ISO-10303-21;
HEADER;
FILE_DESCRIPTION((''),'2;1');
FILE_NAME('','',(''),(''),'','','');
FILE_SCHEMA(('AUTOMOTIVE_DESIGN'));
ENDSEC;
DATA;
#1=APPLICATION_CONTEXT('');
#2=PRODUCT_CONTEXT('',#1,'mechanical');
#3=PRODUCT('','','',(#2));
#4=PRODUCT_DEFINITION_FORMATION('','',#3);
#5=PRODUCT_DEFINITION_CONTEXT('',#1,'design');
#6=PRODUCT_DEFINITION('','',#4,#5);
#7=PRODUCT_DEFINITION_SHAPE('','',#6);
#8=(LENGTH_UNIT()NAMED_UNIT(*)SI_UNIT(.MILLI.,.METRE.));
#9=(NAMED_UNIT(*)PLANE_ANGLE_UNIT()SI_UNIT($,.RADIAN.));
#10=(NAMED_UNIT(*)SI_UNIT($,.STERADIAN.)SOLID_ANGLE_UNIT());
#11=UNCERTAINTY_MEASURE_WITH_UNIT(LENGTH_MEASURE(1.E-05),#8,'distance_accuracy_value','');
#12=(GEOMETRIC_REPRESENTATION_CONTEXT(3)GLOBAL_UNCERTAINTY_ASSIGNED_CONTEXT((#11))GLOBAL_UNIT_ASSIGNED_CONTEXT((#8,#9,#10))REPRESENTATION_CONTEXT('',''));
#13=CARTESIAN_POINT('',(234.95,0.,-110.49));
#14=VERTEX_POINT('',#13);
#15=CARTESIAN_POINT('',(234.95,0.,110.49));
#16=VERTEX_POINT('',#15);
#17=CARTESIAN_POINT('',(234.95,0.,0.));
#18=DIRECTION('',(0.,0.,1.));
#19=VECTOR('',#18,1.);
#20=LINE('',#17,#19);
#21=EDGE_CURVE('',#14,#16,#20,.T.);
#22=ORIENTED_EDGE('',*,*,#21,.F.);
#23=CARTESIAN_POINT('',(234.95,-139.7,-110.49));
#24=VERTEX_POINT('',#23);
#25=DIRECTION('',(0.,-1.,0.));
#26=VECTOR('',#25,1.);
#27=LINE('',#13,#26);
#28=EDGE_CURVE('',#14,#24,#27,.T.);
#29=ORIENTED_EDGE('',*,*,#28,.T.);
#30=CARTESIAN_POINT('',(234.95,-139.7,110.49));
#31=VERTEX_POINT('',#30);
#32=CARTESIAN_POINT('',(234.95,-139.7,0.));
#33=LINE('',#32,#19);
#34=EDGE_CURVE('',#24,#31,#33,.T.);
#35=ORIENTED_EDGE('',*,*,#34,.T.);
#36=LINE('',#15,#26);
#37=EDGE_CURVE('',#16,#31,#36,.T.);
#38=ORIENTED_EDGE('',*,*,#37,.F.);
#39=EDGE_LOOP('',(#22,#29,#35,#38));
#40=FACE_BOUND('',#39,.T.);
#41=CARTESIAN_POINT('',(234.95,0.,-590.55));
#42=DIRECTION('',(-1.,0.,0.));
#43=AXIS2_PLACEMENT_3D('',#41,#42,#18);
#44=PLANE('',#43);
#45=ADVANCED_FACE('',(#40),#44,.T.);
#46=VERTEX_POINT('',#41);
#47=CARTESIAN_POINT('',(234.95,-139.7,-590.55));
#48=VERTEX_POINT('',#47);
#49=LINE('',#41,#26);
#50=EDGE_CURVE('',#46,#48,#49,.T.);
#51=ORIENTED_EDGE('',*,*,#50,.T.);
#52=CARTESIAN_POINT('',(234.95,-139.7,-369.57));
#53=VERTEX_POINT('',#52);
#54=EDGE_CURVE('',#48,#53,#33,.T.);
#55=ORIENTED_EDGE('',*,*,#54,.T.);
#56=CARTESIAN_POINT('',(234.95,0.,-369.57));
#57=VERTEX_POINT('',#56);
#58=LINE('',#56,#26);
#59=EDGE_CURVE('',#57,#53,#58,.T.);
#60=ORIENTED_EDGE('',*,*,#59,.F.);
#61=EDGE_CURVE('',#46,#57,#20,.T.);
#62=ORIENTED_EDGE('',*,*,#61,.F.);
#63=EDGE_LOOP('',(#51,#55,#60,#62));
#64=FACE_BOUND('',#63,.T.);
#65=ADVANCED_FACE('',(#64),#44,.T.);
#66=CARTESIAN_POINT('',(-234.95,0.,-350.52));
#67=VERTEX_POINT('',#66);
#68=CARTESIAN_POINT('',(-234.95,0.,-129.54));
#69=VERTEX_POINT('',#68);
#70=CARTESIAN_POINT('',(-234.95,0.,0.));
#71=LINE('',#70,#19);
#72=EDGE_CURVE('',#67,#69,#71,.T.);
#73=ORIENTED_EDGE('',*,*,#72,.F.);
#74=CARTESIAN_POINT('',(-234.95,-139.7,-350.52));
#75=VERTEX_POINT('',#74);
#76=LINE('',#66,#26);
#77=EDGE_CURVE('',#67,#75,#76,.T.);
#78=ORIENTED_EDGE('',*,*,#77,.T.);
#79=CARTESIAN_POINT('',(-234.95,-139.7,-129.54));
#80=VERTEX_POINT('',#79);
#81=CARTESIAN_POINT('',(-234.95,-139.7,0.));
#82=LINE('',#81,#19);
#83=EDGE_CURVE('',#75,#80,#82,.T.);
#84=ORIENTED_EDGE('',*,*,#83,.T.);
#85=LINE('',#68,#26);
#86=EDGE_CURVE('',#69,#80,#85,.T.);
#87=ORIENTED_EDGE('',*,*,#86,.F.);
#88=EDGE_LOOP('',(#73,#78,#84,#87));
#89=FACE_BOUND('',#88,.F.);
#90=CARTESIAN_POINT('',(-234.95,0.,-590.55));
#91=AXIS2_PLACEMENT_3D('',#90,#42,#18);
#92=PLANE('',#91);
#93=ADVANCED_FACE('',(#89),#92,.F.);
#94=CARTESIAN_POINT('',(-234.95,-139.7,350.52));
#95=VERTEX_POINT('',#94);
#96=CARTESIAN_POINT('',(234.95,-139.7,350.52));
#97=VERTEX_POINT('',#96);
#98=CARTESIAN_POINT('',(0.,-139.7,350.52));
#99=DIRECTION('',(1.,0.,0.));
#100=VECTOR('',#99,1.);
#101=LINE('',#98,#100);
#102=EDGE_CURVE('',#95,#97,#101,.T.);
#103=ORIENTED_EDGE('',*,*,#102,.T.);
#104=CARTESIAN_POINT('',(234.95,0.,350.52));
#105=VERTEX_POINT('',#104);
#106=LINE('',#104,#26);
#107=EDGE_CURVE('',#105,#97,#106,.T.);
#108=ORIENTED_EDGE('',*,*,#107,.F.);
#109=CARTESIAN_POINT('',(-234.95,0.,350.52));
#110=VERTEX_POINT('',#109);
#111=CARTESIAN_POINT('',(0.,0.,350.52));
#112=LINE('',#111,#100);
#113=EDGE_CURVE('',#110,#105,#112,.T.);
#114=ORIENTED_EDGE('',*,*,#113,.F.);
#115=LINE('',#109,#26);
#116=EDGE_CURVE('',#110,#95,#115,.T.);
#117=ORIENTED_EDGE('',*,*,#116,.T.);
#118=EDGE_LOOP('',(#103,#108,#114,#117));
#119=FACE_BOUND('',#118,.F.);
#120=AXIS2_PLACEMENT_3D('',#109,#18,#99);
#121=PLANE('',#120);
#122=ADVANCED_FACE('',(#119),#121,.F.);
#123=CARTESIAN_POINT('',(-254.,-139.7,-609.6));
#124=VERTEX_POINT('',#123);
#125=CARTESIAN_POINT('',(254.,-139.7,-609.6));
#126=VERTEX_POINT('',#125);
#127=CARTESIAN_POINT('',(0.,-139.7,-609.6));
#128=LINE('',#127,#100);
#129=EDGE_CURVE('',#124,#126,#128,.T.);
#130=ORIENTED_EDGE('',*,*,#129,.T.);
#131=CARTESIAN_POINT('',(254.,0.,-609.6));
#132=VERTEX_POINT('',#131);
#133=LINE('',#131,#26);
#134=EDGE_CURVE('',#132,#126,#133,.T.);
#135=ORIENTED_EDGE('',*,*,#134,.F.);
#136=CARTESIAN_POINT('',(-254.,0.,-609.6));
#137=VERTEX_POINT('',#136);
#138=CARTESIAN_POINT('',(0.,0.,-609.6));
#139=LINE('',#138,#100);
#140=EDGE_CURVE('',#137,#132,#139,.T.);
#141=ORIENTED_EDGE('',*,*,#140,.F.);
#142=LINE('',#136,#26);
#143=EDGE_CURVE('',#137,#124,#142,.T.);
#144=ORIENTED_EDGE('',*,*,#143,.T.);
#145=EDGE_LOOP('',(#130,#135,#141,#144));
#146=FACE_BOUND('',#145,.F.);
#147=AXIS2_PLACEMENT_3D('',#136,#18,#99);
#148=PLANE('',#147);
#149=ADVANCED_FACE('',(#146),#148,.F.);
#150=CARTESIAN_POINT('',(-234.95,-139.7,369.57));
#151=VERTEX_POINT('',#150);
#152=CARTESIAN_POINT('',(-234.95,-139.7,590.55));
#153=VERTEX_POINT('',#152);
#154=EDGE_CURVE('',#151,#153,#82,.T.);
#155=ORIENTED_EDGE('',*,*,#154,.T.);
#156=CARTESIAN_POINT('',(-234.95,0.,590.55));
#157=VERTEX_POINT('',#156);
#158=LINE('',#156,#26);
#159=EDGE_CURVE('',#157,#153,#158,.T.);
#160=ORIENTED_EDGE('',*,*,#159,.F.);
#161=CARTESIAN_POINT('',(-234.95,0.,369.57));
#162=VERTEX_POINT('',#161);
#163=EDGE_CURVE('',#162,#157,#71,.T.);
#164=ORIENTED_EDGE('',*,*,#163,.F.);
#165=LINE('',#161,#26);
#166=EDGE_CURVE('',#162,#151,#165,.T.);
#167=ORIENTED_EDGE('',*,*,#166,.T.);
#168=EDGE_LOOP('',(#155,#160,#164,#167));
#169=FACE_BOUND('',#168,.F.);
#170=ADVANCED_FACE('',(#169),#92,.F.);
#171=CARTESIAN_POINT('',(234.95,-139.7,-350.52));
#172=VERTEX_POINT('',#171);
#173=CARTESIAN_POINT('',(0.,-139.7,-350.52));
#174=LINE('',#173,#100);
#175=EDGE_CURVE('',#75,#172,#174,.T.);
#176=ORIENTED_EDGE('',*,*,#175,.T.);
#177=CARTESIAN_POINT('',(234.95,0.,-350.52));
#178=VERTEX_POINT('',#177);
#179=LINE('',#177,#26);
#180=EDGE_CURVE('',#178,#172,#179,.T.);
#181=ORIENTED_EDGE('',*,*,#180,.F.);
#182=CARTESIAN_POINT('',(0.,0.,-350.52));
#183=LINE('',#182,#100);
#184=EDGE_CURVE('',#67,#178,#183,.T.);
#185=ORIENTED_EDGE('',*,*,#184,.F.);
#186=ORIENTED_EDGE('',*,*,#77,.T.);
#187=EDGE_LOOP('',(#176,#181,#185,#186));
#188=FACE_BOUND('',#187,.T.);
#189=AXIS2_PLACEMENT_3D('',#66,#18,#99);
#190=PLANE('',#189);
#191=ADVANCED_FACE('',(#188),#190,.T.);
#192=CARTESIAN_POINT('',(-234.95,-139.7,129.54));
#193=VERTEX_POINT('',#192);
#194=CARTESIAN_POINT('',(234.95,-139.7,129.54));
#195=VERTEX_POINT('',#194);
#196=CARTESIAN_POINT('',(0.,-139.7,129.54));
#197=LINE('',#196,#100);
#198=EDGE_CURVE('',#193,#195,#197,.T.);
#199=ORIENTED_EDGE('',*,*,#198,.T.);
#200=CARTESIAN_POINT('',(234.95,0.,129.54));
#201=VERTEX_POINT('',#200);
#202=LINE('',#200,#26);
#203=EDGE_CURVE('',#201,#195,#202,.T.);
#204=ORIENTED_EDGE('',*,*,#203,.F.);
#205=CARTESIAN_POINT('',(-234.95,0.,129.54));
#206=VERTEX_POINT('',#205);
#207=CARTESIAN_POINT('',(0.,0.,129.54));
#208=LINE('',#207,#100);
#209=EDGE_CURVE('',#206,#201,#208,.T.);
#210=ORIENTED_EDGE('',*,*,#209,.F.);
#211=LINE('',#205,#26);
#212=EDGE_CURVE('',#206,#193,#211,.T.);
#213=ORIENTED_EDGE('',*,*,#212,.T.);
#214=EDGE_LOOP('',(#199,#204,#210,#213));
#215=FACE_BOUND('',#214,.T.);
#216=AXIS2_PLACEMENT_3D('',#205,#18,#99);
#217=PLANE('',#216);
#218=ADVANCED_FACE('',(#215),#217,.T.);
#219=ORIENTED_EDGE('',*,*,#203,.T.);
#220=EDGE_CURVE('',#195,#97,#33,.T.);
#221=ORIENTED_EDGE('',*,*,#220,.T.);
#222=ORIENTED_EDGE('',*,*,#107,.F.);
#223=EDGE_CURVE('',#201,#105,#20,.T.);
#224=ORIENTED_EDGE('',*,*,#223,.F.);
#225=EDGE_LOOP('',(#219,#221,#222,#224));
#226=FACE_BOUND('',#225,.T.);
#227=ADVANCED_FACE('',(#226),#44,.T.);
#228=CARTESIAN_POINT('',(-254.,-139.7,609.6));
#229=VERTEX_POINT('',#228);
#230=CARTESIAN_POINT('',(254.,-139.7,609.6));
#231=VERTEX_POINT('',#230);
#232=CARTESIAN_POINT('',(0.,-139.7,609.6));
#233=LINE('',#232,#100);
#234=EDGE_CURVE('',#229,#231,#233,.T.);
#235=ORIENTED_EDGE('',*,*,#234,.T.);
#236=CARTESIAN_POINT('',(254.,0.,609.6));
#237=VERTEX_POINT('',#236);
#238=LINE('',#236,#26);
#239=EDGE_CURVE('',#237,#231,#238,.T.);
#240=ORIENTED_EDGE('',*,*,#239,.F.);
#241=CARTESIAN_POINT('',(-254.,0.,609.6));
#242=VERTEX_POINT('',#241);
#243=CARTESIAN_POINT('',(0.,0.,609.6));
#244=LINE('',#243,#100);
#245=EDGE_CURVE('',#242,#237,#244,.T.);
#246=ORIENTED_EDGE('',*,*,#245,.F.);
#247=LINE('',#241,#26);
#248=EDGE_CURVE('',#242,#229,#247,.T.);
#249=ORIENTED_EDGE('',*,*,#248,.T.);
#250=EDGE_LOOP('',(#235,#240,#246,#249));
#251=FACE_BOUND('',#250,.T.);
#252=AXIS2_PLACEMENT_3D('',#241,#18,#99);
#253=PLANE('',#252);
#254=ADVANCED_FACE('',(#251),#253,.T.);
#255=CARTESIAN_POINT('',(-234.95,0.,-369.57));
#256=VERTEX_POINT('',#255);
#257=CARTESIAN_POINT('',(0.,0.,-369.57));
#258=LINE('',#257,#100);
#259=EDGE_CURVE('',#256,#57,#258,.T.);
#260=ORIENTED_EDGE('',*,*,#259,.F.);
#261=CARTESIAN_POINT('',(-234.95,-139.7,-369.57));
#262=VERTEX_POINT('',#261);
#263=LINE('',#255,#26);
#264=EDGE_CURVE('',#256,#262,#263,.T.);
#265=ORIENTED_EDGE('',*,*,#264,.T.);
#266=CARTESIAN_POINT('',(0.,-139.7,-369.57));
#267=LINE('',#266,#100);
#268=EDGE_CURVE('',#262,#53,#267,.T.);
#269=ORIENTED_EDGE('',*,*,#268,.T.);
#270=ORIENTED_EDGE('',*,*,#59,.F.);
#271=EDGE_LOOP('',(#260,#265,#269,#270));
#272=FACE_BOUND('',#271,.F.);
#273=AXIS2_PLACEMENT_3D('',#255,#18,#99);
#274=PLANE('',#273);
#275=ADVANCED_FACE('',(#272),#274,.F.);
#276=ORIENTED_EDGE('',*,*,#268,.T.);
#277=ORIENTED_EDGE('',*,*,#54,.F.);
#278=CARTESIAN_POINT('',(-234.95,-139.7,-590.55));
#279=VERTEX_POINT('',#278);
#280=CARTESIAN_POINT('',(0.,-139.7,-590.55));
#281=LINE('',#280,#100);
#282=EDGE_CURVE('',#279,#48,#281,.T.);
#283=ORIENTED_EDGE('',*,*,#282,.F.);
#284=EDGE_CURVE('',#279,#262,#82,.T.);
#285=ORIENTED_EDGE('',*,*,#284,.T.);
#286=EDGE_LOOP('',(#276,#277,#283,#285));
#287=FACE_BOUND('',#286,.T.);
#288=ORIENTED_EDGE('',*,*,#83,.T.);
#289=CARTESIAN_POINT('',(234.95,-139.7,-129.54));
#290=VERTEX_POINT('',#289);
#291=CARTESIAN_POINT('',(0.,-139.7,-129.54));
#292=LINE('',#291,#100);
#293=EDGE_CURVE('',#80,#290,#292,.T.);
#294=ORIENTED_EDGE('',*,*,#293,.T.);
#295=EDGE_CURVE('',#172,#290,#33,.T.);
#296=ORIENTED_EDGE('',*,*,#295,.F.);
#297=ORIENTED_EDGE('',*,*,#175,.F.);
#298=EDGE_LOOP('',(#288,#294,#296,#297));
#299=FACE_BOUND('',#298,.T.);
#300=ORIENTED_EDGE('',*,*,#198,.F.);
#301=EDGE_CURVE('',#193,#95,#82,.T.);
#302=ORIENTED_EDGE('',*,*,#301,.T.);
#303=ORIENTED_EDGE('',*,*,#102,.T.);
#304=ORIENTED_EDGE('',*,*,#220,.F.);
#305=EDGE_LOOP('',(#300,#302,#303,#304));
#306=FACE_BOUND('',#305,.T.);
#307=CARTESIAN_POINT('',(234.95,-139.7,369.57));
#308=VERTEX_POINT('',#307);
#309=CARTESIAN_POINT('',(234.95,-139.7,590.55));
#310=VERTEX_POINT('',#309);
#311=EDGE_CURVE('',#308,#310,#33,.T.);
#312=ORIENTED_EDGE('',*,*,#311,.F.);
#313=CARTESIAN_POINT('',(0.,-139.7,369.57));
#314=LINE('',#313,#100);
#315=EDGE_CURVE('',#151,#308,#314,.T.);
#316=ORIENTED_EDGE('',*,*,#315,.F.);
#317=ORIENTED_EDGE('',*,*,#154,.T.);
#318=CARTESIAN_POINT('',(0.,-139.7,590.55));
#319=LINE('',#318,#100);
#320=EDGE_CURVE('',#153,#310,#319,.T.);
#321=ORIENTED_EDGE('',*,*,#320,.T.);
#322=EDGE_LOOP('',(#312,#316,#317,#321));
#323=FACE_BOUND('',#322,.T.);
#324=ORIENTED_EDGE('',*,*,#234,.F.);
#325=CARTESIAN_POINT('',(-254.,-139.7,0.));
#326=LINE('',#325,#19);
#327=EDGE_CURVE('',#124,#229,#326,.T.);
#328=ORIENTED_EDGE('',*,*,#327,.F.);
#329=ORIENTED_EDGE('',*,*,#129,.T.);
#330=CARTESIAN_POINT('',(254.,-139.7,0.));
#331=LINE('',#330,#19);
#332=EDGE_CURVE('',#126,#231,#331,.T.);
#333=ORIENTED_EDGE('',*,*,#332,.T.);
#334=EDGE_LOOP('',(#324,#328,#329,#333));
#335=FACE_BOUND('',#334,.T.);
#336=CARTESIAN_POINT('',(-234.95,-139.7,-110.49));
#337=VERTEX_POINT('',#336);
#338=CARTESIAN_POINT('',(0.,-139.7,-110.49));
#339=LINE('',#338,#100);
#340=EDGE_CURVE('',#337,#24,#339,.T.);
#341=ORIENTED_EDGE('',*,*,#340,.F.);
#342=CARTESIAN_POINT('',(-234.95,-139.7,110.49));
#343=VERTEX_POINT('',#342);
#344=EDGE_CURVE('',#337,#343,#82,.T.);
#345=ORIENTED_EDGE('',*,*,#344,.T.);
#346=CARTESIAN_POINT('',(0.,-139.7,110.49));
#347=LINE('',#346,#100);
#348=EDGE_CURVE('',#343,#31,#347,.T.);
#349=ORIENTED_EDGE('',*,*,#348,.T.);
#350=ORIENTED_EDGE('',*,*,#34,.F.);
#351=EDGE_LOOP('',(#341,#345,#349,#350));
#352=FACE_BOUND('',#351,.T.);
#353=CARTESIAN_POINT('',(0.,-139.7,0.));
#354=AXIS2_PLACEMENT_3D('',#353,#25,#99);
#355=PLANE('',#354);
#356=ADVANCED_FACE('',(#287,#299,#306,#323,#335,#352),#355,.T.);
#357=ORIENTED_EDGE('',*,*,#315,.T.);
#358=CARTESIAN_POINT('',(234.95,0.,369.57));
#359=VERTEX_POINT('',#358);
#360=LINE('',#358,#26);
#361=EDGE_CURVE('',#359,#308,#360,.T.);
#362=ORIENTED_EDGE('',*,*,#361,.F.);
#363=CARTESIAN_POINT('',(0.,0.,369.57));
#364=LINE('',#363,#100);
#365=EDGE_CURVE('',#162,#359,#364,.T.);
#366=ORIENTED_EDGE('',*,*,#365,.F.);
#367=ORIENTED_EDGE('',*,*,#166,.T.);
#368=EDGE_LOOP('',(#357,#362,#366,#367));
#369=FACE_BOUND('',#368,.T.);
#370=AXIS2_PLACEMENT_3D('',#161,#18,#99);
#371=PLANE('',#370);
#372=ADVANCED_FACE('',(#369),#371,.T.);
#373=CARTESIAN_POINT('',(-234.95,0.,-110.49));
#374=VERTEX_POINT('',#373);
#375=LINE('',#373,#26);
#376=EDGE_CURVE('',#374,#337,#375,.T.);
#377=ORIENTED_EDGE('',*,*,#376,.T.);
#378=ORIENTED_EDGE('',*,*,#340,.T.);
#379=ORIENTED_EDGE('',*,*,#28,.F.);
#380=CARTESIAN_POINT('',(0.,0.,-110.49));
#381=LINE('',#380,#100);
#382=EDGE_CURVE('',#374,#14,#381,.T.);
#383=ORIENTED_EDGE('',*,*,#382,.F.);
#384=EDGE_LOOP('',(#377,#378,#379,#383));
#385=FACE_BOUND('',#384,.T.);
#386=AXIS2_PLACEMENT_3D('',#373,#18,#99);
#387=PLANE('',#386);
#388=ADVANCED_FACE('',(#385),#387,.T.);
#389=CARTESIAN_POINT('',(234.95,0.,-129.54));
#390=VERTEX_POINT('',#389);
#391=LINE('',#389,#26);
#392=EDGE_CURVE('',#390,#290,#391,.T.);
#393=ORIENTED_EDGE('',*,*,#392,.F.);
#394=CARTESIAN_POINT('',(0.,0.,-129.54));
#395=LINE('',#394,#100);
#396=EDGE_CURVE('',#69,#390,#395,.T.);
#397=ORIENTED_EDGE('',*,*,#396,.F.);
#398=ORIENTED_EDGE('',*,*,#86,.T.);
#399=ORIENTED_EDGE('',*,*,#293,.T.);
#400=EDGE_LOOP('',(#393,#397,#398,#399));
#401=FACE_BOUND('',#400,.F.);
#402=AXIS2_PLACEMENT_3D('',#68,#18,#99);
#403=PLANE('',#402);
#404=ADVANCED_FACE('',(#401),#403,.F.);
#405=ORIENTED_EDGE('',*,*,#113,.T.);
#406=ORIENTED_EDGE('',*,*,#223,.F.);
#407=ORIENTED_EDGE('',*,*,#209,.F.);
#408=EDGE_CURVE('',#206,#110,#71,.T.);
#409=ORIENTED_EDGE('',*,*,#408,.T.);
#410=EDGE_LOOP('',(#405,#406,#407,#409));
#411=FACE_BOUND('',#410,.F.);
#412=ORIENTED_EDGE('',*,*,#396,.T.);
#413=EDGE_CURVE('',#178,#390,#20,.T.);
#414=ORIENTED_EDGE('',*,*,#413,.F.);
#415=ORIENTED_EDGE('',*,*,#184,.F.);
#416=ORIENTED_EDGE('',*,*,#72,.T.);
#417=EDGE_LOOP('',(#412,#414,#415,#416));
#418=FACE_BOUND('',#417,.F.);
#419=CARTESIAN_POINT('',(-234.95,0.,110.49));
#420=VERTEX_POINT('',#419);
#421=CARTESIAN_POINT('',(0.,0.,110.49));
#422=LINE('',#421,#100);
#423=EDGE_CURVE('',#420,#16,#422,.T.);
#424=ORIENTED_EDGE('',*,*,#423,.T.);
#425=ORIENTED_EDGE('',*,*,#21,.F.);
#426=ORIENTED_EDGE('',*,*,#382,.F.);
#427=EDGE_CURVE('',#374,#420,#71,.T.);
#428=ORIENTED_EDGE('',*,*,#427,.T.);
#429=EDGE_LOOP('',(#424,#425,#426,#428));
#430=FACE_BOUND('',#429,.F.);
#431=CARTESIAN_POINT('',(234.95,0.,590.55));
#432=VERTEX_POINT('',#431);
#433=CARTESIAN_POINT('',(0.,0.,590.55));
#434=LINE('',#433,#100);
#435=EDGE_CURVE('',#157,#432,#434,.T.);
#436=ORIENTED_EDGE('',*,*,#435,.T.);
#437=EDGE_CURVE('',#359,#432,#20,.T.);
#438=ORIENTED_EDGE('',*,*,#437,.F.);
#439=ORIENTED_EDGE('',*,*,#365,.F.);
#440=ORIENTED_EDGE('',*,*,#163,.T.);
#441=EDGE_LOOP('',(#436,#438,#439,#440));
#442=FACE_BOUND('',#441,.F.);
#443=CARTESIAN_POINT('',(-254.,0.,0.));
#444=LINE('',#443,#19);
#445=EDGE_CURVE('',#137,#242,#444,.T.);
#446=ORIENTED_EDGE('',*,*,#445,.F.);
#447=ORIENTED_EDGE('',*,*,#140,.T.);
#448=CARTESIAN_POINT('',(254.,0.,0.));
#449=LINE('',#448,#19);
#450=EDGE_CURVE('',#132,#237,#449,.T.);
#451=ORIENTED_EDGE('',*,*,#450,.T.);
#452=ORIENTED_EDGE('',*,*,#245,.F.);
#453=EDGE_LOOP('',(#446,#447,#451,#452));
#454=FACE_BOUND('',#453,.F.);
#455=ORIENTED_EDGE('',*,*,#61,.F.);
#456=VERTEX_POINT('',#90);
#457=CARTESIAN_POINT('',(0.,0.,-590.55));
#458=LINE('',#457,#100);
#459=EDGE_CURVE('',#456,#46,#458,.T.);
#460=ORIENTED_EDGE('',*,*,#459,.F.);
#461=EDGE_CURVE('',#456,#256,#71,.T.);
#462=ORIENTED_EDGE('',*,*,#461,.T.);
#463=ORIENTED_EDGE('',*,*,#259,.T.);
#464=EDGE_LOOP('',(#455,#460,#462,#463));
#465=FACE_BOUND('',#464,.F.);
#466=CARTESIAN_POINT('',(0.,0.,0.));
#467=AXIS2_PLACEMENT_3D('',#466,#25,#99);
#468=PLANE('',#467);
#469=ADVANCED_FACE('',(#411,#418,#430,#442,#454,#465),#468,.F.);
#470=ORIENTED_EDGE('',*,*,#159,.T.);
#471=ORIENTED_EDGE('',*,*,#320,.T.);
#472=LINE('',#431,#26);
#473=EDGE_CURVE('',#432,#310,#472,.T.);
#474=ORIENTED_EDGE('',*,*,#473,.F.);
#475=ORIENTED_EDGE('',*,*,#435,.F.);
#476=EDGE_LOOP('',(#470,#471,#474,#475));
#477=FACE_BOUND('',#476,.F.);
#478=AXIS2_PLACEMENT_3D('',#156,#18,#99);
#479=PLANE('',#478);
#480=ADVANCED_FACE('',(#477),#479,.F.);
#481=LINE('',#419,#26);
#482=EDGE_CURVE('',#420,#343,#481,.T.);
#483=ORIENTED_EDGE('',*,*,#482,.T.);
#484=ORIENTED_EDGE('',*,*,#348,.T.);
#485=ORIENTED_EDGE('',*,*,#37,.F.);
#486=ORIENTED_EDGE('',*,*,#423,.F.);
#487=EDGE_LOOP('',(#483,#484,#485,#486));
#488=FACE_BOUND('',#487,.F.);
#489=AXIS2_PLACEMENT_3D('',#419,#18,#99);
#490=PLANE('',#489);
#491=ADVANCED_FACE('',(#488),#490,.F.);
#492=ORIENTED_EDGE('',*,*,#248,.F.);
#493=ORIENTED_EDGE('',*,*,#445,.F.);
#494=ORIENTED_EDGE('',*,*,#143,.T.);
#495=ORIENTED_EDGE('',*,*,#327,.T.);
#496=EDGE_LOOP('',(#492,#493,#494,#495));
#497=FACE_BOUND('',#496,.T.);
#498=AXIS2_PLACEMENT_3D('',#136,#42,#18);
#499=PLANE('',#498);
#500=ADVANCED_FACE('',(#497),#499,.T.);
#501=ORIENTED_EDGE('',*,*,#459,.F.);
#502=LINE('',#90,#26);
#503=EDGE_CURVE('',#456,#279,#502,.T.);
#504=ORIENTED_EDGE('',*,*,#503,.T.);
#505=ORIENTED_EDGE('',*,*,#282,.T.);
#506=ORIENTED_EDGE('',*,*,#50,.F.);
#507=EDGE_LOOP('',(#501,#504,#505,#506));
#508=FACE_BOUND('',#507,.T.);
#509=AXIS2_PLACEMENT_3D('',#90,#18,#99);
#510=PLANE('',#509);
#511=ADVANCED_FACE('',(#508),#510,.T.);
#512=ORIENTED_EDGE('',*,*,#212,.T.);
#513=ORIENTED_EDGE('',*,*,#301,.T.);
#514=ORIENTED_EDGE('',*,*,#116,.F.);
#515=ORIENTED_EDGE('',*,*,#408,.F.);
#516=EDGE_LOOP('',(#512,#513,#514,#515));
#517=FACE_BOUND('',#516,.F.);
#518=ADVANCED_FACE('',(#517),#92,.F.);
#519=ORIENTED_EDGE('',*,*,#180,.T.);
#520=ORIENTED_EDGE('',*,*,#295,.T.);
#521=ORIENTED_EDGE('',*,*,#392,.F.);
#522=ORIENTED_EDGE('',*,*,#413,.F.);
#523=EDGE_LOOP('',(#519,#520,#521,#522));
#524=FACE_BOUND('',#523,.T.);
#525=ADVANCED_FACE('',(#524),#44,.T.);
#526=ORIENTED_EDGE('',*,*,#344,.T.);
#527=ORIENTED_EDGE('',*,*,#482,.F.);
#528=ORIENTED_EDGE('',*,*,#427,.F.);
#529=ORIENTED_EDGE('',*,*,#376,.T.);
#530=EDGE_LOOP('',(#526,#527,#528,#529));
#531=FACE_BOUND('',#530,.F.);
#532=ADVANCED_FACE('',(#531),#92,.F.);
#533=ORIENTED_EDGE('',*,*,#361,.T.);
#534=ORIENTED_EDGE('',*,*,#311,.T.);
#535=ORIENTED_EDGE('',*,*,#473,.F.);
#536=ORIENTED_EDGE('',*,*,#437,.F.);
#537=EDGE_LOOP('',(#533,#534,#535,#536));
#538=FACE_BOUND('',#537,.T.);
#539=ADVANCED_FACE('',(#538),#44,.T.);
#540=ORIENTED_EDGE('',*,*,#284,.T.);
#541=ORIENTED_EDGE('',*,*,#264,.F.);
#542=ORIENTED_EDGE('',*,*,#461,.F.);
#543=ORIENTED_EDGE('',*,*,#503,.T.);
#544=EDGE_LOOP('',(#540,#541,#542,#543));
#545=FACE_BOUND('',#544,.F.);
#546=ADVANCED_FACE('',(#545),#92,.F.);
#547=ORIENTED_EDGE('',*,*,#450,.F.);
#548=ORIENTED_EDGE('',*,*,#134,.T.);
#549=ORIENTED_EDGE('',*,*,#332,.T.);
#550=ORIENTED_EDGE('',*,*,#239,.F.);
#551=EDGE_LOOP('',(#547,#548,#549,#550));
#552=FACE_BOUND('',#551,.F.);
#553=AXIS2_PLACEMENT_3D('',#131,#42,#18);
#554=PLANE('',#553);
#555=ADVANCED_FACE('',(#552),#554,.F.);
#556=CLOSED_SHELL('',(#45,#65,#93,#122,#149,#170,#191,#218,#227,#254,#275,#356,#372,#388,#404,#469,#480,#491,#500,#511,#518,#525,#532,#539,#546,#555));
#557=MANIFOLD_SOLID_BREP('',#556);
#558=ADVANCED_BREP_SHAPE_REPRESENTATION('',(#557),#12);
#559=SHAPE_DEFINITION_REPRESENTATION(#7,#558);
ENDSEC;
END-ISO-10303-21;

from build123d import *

# Parameters (mm, degrees)
F0_W     = 508
F0_H     = 1219.2
F0_W_2   = 469.9
F0_H_2   = 1181.1
F1_DEPTH = 139.7
F2_W     = 469.9
F2_H     = 19.05
F3_DEPTH = 139.7


with BuildPart() as f1:
    # F0 (on Front) → F1 (new body)
    with BuildSketch(Plane.XZ):
        Rectangle(F0_W, F0_H)
        Rectangle(F0_W_2, F0_H_2, mode=Mode.SUBTRACT)
    extrude(amount=F1_DEPTH)

    # F2 (on Front) → F3 (join)
    with BuildSketch(Plane.XZ):
        with Locations((0, 360.045)):
            Rectangle(F2_W, F2_H)
        with Locations((0, -120.015)):
            Rectangle(F2_W, F2_H)
        with Locations((0, 120.015)):
            Rectangle(F2_W, F2_H)
        with Locations((0, -360.045)):
            Rectangle(F2_W, F2_H)
    extrude(amount=F3_DEPTH)


solid = f1.part
